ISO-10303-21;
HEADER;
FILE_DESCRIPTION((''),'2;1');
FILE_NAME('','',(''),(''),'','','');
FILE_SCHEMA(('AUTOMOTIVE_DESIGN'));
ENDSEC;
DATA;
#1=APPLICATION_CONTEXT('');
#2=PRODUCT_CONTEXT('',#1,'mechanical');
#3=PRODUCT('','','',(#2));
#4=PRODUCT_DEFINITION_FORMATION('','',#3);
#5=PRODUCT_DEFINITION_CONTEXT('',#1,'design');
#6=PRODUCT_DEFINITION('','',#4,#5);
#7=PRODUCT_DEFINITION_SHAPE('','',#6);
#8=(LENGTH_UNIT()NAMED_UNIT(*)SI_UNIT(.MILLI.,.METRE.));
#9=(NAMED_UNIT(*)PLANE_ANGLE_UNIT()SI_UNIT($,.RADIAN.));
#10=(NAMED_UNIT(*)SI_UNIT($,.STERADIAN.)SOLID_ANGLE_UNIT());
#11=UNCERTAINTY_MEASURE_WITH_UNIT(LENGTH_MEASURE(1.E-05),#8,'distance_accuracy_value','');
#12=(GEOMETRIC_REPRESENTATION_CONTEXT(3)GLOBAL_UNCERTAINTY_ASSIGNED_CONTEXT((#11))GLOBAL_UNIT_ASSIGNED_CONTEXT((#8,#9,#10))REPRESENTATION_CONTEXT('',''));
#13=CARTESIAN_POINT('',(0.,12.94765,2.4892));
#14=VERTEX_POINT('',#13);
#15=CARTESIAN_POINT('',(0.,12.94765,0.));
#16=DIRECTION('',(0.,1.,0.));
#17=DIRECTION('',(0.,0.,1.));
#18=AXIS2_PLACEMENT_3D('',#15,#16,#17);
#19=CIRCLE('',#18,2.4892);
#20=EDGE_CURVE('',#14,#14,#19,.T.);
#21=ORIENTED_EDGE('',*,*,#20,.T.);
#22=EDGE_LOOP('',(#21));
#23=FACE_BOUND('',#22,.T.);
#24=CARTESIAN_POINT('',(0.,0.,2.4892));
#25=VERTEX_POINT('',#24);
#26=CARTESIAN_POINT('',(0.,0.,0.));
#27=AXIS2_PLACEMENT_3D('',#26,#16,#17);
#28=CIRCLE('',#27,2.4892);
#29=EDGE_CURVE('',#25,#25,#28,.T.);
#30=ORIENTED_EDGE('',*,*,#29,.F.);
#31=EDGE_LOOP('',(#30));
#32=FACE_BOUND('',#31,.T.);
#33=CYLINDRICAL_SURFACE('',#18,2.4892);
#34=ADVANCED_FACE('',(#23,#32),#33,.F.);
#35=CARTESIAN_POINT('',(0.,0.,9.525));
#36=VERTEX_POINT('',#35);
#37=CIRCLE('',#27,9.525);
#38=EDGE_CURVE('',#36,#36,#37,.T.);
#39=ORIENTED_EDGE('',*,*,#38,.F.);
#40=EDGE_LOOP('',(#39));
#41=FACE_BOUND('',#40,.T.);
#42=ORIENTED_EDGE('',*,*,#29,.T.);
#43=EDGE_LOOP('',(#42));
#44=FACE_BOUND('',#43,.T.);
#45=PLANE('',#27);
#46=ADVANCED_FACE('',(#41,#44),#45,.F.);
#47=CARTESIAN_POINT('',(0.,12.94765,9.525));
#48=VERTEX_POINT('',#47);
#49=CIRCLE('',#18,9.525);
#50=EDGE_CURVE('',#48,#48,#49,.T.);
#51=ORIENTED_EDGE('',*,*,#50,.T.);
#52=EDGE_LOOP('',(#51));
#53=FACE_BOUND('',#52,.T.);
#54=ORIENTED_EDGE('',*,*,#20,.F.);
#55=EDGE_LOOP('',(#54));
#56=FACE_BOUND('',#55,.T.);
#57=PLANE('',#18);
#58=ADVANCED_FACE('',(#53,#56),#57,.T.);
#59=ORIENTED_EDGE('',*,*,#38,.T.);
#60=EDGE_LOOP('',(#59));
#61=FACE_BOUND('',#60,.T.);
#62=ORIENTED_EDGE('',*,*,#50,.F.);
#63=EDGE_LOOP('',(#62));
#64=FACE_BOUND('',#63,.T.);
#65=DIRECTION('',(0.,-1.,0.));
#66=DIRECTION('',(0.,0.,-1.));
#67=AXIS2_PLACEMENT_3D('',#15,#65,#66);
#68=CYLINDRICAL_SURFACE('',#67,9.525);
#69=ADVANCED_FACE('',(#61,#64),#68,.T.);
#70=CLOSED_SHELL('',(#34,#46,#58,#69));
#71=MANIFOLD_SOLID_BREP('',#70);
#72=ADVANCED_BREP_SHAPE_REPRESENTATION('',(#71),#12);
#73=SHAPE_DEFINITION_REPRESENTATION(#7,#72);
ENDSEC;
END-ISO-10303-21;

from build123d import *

# Parameters (mm, degrees)
SKETCH1_R              = 9.525
BOSS_EXTRUDE1_DEPTH    = 12.94765
F_10_CLEARANCE_HOLE1_D = 4.9784


with BuildPart() as part:
    # Sketch1 → Boss-Extrude1 (new body)
    with BuildSketch(Plane(origin=(0, 0, 0), x_dir=(1, 0, 0), z_dir=(0, 1, 0))):
        with Locations(Location((0, 0, 0), (0, 0, 270))):
            Circle(SKETCH1_R)
    extrude(amount=BOSS_EXTRUDE1_DEPTH)

    # #10 Clearance Hole1 (through all)
    with Locations(Plane(origin=(0, 12.94765, 0), x_dir=(1, 0, 0), z_dir=(0, 1, 0))):
        with Locations((0, 0)):
            Hole(F_10_CLEARANCE_HOLE1_D / 2)


solid = part.part
